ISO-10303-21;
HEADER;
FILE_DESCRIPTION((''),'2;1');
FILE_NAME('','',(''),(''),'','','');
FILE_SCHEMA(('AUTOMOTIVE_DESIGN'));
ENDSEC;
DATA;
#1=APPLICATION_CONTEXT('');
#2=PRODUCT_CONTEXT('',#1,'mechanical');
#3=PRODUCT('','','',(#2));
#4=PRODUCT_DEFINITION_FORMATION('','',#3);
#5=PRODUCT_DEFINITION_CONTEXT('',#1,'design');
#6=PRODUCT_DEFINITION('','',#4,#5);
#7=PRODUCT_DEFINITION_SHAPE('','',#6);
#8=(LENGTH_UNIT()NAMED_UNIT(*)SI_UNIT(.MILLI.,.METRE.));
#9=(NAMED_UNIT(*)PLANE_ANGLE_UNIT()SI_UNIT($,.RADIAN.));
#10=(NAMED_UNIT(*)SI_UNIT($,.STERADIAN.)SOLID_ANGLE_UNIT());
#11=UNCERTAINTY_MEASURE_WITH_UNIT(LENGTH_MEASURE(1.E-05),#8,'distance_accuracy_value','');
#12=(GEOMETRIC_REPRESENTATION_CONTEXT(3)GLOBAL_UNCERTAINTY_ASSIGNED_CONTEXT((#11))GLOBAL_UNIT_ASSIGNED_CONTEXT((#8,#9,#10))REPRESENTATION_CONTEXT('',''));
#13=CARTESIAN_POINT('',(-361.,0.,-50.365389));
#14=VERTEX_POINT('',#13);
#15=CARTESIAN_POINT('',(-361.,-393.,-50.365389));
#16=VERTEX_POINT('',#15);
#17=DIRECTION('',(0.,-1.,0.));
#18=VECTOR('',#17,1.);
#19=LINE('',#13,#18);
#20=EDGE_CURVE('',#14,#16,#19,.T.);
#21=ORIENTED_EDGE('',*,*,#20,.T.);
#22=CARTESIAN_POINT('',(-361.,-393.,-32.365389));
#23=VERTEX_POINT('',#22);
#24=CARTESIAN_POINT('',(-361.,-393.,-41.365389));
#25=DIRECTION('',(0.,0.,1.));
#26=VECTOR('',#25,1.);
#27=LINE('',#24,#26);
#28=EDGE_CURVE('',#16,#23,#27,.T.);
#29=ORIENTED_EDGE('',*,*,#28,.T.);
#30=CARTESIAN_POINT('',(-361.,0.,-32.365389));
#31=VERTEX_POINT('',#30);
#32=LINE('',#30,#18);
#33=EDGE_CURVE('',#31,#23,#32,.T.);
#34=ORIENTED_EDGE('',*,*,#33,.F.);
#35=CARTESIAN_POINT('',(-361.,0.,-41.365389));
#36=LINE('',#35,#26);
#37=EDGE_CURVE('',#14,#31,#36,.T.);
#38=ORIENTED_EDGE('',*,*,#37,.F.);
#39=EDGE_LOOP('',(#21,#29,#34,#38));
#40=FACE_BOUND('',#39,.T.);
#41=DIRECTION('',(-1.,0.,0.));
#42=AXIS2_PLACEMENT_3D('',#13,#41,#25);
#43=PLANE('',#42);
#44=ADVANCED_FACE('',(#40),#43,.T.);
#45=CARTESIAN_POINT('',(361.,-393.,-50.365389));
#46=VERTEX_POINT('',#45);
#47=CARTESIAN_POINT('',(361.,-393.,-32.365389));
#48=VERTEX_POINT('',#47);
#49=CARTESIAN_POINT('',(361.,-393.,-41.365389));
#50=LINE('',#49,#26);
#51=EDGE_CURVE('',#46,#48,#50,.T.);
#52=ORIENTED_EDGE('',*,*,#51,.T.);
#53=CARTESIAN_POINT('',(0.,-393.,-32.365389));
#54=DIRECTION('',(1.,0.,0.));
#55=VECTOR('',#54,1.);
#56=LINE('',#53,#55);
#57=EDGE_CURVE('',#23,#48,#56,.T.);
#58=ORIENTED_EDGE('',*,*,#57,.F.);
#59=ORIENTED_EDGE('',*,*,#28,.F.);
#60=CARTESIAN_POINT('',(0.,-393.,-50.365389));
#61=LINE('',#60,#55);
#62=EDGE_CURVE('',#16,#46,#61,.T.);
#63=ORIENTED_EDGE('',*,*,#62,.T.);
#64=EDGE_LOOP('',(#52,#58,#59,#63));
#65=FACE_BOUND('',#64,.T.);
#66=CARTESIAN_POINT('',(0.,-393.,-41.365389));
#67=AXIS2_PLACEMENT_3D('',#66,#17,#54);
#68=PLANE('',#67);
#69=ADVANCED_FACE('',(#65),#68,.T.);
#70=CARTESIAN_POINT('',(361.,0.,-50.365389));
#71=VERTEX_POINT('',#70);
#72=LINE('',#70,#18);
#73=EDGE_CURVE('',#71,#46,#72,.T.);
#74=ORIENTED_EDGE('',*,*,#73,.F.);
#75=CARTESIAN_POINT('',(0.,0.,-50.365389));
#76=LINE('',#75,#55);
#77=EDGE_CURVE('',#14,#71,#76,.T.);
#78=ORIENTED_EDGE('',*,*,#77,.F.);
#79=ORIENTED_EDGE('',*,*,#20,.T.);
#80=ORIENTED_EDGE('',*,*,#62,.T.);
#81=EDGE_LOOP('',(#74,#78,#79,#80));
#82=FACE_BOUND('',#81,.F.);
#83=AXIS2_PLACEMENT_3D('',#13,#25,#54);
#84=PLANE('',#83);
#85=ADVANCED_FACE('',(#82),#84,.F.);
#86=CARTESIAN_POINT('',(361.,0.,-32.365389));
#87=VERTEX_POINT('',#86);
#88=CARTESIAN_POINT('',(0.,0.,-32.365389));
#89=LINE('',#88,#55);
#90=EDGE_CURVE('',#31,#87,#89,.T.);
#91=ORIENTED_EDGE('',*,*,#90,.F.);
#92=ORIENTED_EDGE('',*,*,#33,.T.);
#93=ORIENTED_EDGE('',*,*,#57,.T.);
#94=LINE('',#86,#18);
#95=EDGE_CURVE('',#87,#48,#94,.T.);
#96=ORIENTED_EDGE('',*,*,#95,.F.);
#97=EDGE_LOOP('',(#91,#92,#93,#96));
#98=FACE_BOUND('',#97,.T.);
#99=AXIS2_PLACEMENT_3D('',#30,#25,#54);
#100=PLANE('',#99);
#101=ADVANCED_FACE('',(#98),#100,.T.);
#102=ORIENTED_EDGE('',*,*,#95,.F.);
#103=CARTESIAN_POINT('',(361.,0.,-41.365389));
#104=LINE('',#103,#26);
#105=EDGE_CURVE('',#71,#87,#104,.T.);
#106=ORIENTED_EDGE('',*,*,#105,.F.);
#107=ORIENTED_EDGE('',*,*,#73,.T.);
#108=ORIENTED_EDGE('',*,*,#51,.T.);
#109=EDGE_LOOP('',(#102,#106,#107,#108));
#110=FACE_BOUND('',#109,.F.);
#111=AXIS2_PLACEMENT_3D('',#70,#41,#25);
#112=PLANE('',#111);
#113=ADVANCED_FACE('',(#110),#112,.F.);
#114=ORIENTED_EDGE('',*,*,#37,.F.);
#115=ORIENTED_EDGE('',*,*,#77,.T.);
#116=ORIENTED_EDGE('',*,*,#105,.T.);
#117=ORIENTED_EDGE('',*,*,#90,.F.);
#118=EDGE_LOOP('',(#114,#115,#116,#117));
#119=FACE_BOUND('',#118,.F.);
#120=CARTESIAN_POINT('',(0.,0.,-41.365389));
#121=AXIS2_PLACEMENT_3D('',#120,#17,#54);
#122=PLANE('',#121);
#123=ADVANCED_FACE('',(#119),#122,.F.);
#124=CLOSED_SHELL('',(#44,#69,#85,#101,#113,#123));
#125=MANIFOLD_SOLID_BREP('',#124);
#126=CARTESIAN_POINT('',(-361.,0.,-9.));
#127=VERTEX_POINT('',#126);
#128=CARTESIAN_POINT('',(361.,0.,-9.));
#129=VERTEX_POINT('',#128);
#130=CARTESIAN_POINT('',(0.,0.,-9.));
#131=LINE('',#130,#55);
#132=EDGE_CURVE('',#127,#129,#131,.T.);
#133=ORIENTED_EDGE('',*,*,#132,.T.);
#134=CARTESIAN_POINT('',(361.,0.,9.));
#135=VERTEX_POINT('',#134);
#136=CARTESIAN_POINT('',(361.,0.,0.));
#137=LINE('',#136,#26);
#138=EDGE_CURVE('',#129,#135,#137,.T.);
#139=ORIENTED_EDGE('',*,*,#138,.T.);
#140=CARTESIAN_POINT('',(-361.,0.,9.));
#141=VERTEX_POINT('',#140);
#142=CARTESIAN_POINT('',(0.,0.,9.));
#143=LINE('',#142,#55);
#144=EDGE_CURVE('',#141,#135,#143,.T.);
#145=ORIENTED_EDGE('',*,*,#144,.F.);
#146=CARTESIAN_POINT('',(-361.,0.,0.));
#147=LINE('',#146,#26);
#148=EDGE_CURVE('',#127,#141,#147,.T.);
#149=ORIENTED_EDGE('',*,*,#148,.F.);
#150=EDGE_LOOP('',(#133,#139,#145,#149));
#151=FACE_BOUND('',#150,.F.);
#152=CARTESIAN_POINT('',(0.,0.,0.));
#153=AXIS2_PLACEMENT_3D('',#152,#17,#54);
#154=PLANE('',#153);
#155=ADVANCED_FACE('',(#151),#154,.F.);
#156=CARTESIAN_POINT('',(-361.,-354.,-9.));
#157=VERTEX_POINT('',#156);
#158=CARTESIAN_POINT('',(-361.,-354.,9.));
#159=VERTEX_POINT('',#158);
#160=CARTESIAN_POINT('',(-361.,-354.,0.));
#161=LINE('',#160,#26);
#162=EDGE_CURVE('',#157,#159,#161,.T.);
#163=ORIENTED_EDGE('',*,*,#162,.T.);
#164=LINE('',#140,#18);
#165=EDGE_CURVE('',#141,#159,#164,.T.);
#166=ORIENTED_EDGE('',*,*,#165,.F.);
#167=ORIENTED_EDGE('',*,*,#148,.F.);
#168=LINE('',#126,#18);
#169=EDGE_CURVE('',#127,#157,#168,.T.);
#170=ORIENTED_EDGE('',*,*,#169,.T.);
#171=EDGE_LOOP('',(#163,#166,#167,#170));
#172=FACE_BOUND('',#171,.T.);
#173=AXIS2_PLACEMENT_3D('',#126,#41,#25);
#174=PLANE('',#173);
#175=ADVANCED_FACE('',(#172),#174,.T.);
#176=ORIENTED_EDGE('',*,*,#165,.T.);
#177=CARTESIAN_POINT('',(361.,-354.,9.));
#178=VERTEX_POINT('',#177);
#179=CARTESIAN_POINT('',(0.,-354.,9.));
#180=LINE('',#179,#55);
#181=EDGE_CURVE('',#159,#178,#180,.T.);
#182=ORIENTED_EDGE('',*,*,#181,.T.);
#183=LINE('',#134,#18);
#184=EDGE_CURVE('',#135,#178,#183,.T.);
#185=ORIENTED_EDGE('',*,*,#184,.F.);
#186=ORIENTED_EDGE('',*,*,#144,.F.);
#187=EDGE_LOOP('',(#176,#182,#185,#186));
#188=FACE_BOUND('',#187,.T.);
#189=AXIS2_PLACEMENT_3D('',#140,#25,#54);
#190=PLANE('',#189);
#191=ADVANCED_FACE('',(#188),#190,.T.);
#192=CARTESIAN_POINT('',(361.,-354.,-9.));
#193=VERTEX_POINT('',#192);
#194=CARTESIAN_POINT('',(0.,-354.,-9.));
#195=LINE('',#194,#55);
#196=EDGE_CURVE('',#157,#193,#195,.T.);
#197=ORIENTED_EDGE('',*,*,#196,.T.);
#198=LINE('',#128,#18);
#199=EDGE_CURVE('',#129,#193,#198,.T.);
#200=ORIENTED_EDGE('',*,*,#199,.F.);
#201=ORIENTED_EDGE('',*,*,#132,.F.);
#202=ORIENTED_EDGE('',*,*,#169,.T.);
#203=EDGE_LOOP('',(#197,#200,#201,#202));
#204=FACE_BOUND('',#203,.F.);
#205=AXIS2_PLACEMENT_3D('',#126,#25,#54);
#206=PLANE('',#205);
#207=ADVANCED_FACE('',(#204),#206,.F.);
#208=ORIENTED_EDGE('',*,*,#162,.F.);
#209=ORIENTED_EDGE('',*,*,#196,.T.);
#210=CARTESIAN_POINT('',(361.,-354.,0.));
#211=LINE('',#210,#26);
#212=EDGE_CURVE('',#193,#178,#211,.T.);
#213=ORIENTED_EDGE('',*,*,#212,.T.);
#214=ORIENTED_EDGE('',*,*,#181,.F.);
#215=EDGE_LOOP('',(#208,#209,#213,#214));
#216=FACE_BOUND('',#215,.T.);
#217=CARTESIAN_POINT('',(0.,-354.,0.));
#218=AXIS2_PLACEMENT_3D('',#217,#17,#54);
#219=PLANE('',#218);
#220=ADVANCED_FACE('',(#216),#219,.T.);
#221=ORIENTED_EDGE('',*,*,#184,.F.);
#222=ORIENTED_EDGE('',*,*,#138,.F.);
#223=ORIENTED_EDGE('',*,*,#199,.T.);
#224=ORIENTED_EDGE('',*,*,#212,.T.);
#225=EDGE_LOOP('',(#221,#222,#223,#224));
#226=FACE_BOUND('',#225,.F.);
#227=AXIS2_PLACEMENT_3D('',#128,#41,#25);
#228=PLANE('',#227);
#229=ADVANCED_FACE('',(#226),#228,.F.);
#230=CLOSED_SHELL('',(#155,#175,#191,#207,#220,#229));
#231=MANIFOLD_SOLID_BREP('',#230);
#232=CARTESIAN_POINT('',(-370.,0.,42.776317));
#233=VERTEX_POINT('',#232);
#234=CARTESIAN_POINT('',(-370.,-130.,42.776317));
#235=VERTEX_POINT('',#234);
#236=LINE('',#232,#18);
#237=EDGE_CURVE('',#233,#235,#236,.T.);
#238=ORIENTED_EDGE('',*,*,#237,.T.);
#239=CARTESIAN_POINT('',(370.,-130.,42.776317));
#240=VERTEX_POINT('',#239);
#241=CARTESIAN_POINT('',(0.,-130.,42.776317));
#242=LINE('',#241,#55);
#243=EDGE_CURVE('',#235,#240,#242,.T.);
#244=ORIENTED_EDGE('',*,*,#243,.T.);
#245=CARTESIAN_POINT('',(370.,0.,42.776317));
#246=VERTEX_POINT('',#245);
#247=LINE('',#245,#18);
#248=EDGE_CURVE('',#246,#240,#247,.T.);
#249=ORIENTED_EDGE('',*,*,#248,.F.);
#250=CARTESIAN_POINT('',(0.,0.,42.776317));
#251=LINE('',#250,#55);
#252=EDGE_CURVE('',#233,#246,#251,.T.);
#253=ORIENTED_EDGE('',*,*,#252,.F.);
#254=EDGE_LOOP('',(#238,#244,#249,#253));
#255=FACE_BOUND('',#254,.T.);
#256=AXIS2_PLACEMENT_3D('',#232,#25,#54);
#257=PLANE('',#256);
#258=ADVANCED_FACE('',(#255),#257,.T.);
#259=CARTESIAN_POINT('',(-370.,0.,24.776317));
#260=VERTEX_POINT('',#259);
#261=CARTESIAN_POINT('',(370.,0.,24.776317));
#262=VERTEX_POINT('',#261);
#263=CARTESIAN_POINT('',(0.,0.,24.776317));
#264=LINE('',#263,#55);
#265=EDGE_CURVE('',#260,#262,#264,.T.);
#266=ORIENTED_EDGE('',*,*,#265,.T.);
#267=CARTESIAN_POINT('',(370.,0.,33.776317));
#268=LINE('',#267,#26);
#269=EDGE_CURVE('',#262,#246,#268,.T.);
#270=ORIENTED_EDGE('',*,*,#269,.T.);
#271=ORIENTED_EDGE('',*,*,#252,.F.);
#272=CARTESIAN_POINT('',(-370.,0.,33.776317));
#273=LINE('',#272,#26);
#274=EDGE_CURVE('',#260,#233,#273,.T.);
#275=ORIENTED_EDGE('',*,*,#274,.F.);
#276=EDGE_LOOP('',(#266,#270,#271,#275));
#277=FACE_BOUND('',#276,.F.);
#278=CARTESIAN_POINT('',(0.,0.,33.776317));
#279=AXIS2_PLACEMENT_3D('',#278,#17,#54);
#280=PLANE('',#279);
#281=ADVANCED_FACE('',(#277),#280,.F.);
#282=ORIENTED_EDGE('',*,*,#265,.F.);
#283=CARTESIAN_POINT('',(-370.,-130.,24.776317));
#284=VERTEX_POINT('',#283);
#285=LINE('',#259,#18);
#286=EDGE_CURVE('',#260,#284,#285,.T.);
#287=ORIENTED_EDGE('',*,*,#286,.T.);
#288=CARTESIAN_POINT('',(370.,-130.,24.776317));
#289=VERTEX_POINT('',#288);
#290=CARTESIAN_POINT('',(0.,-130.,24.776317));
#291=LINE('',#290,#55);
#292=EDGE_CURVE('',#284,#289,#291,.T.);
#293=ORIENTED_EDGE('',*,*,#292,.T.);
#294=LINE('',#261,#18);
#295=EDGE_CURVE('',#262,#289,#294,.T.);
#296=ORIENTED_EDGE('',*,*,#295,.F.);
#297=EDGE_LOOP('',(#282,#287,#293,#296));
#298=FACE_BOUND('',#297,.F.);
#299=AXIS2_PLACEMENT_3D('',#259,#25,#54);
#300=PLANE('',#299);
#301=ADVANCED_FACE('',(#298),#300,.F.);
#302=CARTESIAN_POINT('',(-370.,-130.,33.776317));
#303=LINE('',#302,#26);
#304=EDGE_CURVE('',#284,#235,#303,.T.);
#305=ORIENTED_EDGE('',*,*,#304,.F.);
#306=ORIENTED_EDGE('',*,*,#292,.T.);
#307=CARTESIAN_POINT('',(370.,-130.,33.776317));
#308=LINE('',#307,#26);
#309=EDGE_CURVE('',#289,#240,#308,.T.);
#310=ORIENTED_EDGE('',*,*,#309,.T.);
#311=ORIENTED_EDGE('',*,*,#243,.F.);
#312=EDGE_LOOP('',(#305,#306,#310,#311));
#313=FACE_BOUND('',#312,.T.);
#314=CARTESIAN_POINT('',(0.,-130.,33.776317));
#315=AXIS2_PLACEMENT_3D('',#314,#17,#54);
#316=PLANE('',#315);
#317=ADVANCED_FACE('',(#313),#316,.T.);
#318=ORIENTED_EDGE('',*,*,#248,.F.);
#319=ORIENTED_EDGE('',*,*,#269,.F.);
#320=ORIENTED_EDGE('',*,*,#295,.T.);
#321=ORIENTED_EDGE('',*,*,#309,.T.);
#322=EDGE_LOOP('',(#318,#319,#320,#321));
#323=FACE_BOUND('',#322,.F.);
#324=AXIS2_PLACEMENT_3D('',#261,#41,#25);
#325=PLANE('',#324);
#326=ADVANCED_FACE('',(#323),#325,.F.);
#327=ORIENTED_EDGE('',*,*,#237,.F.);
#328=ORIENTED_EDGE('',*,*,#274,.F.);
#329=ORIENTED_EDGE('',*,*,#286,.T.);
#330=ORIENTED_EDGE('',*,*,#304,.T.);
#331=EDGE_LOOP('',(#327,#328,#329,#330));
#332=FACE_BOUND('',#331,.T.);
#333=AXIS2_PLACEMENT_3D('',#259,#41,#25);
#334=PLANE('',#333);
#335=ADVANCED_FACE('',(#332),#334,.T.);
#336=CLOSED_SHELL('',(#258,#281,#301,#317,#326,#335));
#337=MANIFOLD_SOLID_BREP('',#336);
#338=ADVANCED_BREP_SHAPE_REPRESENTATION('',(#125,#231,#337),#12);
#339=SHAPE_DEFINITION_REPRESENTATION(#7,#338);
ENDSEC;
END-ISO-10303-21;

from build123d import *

# Parameters (mm, degrees)
F0_W     = 722
F0_H     = 18
F1_DEPTH = 393
F2_DEPTH = 354
F3_W     = 740
F3_H     = 18
F4_DEPTH = 130


with BuildPart() as f1:
    # F0 (on Front) → F1 (new body)
    with BuildSketch(Plane.XZ):
        with Locations((0, -41.365389)):
            Rectangle(F0_W, F0_H)
    extrude(amount=F1_DEPTH)


with BuildPart() as f2:
    # F0 (on Front) → F2 (new body)
    with BuildSketch(Plane.XZ):
        Rectangle(F0_W, F0_H)
    extrude(amount=F2_DEPTH)


with BuildPart() as f4:
    # F3 (on Front) → F4 (new body)
    with BuildSketch(Plane.XZ):
        with Locations((0, 33.776317)):
            Rectangle(F3_W, F3_H)
    extrude(amount=F4_DEPTH)


solid = Compound([f1.part, f2.part, f4.part])
